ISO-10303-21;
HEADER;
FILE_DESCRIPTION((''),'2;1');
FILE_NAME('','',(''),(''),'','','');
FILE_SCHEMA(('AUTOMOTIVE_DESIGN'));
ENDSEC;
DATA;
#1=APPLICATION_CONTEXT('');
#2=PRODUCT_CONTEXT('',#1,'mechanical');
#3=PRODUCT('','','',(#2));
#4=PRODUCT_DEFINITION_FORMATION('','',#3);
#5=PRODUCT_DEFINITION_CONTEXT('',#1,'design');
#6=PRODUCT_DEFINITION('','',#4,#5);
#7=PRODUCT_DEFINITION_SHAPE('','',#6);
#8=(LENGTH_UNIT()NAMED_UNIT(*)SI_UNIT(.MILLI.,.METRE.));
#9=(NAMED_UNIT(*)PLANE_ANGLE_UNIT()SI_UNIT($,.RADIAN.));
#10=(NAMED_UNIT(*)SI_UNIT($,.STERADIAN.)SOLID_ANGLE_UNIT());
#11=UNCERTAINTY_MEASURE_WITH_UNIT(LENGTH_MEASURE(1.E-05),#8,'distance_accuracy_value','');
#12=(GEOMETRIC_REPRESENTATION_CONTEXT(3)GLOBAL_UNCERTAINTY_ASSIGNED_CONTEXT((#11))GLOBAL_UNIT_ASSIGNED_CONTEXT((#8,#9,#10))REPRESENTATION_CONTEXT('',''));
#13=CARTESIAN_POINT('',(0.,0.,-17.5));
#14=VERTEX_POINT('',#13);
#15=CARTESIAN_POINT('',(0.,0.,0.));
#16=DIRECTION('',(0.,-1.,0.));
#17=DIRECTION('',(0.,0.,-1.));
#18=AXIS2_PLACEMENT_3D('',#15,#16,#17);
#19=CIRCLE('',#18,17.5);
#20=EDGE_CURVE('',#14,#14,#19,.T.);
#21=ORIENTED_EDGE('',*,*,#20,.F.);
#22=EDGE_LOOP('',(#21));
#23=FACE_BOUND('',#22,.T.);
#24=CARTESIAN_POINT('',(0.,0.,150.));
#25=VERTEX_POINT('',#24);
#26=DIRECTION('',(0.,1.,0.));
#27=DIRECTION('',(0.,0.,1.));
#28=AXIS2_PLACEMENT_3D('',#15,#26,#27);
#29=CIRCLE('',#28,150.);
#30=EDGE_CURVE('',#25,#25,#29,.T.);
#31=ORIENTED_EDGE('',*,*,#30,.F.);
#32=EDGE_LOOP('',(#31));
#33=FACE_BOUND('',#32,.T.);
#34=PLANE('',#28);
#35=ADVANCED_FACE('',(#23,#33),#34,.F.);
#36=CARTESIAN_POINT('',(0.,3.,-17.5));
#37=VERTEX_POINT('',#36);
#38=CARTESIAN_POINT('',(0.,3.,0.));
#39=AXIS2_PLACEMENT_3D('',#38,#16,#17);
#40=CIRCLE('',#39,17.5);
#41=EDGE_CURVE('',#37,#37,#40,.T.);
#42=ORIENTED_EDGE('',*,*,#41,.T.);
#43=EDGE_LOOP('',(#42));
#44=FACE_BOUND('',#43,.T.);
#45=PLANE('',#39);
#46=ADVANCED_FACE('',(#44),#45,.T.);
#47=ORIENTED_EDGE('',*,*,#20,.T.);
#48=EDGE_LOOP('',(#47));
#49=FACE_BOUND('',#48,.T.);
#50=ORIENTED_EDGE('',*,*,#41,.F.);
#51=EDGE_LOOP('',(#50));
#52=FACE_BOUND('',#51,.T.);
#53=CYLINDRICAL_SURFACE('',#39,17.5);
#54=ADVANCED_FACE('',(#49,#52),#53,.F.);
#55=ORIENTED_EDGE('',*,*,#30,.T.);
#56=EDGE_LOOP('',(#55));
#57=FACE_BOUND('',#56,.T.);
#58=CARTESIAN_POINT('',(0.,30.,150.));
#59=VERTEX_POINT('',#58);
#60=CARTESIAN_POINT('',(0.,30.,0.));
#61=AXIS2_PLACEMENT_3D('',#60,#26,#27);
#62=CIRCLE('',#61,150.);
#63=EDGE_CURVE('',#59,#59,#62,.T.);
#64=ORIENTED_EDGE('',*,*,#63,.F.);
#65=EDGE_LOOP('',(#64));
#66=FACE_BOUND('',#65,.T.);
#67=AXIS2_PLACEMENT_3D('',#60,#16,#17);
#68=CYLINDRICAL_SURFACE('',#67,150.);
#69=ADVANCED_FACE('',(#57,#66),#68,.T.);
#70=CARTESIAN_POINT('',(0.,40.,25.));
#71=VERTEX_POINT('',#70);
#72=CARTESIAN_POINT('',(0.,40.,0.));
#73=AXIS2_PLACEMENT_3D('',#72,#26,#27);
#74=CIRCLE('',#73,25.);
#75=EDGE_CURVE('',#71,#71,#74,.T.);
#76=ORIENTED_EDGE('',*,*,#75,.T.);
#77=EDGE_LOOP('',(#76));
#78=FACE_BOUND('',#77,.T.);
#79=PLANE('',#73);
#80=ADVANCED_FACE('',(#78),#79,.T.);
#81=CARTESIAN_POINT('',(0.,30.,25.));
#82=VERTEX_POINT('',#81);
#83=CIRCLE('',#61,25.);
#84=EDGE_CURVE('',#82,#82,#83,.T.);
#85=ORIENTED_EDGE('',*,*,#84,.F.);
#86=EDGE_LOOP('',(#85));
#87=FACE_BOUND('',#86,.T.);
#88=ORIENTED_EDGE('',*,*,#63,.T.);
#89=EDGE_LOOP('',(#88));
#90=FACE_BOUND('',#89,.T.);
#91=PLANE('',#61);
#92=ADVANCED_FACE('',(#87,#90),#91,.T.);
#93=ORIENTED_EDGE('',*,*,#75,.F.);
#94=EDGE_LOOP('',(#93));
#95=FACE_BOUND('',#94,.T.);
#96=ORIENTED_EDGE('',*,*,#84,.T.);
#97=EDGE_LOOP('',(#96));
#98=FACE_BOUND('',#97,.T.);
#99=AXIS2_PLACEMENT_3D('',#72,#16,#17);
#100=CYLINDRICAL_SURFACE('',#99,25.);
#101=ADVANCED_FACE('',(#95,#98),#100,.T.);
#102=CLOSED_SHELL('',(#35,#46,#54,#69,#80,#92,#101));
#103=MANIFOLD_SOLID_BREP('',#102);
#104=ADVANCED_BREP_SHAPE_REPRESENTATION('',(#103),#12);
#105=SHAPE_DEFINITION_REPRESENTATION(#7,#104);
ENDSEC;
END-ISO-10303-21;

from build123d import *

# Parameters (mm, degrees)
SZKIC2_R                    = 150
DODANIE_WYCI_GNI_CIE1_DEPTH = 30
SZKIC3_R                    = 25
DODANIE_WYCI_GNI_CIE2_DEPTH = 10
SZKIC5_R                    = 17.5
WYTNIJ_WYCI_GNI_CIE1_DEPTH  = 3


with BuildPart() as part:
    # Szkic2 → Dodanie-wyciągnięcie1 (new body)
    with BuildSketch(Plane(origin=(0, 0, 0), x_dir=(1, 0, 0), z_dir=(0, 1, 0))):
        Circle(SZKIC2_R)
    extrude(amount=DODANIE_WYCI_GNI_CIE1_DEPTH)

    # Szkic3 → Dodanie-wyciągnięcie2 (add)
    with BuildSketch(Plane(origin=(0, 30, 0), x_dir=(1, 0, 0), z_dir=(0, 1, 0))):
        Circle(SZKIC3_R)
    extrude(amount=DODANIE_WYCI_GNI_CIE2_DEPTH)

    # Szkic5 → Wytnij-wyciągnięcie1 (cut)
    with BuildSketch(Plane(origin=(0, 0, 0), x_dir=(-1, 0, 0), z_dir=(0, -1, 0))):
        Circle(SZKIC5_R)
    extrude(amount=-WYTNIJ_WYCI_GNI_CIE1_DEPTH, mode=Mode.SUBTRACT)


solid = part.part
